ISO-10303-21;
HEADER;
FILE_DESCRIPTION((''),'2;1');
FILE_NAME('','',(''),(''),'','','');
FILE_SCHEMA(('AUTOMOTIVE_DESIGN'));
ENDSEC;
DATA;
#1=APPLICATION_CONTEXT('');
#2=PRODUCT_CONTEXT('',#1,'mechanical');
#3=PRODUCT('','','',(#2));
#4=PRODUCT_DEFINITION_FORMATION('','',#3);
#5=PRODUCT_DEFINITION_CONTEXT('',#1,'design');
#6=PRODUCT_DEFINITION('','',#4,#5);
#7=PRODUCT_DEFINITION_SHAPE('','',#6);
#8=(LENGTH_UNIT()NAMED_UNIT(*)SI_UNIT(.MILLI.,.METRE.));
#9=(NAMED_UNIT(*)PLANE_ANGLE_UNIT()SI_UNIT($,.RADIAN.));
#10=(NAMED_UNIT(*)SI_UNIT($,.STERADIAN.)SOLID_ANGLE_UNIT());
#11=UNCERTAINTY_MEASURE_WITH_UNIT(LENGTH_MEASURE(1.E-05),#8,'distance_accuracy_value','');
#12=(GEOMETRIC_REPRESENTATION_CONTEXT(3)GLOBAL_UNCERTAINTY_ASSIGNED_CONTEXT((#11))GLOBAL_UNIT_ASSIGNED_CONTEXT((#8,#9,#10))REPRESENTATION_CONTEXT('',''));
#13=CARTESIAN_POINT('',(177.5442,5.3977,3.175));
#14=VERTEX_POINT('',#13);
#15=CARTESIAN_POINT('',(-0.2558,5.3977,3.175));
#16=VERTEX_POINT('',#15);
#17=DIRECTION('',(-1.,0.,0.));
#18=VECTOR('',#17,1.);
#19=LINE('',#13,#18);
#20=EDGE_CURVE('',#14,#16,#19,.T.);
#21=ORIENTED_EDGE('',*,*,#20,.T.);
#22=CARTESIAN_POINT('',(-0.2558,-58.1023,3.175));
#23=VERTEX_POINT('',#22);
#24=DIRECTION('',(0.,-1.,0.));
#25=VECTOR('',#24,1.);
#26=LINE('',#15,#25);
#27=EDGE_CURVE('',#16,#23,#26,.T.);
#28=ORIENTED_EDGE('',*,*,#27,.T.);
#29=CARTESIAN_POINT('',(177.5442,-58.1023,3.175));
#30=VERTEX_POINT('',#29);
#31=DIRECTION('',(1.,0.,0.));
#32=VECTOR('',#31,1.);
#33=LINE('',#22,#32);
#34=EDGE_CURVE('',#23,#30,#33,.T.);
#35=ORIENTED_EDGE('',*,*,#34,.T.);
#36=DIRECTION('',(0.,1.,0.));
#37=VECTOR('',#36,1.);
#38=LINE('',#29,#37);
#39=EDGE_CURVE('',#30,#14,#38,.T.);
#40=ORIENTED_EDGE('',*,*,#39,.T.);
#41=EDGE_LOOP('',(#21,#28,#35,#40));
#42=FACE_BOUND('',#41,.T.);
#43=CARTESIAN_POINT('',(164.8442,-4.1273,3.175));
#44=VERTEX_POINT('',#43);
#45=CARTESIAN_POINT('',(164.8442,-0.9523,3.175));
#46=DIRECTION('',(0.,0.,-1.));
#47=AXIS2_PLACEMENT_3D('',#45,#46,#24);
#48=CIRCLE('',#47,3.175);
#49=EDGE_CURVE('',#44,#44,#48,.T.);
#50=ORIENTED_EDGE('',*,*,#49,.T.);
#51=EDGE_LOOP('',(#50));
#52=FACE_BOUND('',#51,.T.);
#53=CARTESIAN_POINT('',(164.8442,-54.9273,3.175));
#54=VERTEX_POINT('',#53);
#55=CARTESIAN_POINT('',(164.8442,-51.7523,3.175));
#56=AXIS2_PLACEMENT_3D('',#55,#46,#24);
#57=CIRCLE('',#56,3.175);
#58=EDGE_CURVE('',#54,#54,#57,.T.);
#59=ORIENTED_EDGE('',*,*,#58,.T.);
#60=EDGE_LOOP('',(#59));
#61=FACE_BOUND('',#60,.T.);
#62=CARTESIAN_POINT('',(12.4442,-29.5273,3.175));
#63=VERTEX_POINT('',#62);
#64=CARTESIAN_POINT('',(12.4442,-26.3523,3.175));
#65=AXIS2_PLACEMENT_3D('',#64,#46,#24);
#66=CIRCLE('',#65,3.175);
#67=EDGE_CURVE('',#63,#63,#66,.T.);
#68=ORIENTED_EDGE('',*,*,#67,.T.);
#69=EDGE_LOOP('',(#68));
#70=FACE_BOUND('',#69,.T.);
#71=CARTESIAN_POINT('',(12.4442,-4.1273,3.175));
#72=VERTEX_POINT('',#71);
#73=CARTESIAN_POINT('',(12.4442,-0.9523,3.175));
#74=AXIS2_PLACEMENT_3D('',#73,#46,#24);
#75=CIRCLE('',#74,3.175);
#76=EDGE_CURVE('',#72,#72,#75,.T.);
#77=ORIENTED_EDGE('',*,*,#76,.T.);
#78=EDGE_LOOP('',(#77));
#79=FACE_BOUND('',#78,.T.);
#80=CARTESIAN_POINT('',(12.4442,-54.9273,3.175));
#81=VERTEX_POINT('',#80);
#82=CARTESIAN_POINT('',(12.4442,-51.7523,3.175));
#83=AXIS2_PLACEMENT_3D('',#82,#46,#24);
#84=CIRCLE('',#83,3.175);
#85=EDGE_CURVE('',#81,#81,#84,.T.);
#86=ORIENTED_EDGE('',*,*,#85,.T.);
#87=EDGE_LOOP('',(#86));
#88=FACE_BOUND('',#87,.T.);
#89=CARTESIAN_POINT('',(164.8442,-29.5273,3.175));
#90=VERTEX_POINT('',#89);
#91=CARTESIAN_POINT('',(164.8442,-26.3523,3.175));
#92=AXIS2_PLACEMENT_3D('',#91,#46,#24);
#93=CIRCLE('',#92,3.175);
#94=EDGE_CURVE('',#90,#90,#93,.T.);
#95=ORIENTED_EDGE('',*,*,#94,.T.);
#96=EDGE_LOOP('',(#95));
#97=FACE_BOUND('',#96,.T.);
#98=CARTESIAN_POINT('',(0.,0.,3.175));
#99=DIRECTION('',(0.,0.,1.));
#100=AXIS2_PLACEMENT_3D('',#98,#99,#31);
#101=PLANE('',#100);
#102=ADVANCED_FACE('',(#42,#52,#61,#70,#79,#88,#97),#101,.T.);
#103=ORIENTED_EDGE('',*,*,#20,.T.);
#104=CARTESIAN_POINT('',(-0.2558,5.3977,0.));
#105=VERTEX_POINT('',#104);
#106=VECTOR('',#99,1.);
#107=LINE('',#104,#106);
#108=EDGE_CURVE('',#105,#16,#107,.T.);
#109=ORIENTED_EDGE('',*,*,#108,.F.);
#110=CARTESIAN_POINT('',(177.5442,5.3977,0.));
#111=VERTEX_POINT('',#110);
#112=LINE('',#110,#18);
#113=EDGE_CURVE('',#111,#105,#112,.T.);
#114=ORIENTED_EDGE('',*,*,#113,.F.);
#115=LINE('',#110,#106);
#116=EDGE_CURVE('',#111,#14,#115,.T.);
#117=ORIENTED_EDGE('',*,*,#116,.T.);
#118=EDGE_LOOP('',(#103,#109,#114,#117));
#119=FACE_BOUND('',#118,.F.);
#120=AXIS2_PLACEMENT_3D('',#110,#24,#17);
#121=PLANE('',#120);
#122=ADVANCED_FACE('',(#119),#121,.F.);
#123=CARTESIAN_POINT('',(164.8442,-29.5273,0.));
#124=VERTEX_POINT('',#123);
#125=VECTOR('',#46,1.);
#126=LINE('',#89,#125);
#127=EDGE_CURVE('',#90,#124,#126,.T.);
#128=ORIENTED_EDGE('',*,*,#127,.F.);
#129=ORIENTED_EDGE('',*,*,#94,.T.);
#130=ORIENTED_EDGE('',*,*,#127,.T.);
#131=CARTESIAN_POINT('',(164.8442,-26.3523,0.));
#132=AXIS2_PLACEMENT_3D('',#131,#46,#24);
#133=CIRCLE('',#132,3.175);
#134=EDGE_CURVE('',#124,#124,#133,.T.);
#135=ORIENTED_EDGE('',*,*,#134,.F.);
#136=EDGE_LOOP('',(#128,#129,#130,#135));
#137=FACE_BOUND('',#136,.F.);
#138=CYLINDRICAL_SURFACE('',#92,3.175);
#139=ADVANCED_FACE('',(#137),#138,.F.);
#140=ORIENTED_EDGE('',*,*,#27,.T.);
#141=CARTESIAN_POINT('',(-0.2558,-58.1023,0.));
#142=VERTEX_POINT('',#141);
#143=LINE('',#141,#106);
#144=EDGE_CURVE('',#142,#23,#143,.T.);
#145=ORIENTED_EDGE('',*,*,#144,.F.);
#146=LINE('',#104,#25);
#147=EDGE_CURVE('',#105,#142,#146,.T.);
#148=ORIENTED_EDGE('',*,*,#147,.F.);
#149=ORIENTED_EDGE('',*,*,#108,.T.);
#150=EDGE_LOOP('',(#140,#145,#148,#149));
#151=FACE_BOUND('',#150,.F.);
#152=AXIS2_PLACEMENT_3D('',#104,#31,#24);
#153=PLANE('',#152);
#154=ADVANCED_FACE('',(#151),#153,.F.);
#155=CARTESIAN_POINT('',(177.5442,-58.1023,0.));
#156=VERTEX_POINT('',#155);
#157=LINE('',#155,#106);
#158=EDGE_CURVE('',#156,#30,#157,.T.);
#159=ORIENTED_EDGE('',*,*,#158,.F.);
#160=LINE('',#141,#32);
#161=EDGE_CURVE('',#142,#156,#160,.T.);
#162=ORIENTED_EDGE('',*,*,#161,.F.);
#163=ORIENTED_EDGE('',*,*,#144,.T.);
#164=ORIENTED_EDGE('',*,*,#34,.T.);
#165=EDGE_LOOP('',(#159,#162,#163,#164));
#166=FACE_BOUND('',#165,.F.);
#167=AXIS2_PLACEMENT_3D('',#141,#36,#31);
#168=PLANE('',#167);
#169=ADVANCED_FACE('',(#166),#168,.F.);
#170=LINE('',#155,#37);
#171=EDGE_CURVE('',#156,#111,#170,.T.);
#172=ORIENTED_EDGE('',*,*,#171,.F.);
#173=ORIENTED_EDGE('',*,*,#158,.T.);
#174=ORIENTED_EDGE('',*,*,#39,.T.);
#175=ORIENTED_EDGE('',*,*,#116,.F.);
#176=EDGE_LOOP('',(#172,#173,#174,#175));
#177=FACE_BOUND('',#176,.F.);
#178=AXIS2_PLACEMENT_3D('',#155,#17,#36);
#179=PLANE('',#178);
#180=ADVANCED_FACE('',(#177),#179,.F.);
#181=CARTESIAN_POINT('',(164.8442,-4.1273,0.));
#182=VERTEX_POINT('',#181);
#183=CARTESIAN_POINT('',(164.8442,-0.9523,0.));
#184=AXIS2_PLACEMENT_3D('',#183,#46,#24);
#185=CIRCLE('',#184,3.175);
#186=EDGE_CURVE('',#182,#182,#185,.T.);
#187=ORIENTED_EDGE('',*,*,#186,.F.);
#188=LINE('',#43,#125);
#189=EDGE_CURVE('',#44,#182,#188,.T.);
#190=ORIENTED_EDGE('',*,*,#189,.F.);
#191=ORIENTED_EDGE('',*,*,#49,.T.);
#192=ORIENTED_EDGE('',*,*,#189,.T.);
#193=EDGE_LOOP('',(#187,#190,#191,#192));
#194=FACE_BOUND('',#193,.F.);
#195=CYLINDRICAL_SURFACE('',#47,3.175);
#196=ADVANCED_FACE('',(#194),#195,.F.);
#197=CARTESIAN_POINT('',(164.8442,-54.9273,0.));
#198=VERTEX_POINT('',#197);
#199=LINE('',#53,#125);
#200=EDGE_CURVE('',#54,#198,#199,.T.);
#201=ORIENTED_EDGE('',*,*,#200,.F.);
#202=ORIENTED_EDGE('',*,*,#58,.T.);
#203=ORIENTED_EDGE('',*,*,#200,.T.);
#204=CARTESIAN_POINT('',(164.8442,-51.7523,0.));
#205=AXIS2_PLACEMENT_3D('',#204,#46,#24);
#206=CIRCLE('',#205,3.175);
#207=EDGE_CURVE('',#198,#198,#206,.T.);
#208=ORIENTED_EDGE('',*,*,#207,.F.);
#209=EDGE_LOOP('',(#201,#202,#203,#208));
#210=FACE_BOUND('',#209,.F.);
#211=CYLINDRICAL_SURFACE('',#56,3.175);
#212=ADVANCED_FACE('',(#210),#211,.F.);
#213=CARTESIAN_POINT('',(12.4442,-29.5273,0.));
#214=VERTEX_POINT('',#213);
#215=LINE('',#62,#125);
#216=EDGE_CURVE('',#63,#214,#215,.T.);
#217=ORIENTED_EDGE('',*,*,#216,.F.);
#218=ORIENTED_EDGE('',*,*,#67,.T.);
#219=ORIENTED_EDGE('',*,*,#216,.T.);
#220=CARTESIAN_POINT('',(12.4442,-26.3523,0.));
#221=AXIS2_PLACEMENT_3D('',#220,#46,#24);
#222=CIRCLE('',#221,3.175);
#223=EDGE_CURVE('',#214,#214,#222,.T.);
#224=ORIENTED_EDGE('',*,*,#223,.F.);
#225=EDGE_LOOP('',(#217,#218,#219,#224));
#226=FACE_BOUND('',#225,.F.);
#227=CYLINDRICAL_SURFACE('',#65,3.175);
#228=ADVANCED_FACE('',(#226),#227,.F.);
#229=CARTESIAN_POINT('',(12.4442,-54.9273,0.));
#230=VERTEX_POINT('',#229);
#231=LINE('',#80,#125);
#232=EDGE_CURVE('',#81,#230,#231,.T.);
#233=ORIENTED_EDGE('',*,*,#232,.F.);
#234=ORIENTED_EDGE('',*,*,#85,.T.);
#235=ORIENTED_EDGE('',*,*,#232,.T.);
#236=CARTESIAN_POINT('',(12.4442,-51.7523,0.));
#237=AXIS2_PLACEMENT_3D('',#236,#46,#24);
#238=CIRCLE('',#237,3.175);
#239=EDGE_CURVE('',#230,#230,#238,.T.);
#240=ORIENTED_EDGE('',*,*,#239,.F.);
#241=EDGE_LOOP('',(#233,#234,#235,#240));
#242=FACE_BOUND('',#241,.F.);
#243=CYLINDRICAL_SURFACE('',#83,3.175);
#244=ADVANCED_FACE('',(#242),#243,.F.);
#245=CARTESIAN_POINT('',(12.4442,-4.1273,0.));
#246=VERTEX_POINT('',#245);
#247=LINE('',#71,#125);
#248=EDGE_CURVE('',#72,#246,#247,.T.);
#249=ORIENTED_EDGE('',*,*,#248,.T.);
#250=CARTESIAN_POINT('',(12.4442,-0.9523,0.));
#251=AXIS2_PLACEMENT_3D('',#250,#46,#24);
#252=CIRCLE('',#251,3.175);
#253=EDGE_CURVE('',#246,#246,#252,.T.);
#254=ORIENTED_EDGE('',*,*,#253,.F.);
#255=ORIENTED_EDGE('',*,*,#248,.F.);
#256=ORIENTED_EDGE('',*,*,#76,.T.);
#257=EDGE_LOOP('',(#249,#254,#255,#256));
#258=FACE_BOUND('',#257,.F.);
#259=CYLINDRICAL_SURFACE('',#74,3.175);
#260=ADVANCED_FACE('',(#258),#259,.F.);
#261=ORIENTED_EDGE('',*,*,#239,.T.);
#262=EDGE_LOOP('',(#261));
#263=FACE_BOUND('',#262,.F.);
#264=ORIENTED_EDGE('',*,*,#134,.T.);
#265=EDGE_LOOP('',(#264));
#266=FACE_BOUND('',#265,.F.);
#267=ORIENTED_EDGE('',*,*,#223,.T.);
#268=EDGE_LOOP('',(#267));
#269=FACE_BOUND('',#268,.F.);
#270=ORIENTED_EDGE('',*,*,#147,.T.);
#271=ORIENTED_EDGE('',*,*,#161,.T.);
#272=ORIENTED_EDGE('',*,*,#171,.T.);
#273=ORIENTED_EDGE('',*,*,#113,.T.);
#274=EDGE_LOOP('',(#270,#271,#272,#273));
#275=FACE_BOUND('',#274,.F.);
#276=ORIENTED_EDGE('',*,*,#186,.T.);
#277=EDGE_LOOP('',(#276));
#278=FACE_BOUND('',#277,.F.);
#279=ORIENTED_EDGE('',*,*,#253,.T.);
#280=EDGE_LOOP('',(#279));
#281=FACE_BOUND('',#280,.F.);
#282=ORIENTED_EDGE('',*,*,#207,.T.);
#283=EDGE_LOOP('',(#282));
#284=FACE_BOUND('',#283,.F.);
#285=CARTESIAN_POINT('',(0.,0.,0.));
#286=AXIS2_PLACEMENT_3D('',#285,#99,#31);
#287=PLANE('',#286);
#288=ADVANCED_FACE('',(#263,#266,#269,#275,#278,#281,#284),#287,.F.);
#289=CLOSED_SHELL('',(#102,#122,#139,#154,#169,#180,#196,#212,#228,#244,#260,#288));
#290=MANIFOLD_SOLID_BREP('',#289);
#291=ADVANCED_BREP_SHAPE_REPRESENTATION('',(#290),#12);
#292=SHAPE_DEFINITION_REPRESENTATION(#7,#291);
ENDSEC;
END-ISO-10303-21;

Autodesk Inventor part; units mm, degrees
ref_plane "YZ Plane" through (0, 0, 0) normal (1, 0, 0) x (0, 1, 0)
ref_plane "XZ Plane" through (0, 0, 0) normal (0, 1, 0) x (-1, 0, 0)
ref_plane "XY Plane" through (0, 0, 0) normal (0, 0, 1) x (1, 0, 0)
sketch "Sketch1" plane through (0, 0, 0) normal (0, 0, 1) x (1, 0, 0)
  line L0 (-0.2558, -58.1023) -> (177.5442, -58.1023)
  line L1 (177.5442, -58.1023) -> (177.5442, 5.3977)
  line L2 (177.5442, 5.3977) -> (-0.2558, 5.3977)
  line L3 (-0.2558, 5.3977) -> (-0.2558, -58.1023)
  point P0 (0, 0)
  dimension "d0" = 177.8
  dimension "d1" = 63.5
extrude "Extrusion1" add sketch "Sketch1" along normal blind 3.175
sketch "Sketch3" plane through (0, 0, 3.175) normal (0, 0, 1) x (1, 0, 0)
  line L0 (-0.2558, 5.3977) -> (-0.2558, -58.1023) projected
  line L1 (177.5442, 5.3977) -> (-0.2558, 5.3977) projected
  line L2 (-0.2558, -58.1023) -> (177.5442, -58.1023) projected
  line L3 (177.5442, -58.1023) -> (177.5442, 5.3977) projected
  point P0 (0, 0)
  point P1 (12.4442, -0.9523)
  point P2 (12.4442, -26.3523)
  point P3 (12.4442, -51.7523)
  point P4 (164.8442, -0.9523)
  point P5 (164.8442, -26.3523)
  point P6 (164.8442, -51.7523)
  dimension "d22" = 25.4
  dimension "d23" = 25.4
  dimension "d26" = 12.7
  dimension "d27" = 12.7
  dimension "d28" = 12.7
  dimension "d29" = 6.35
  dimension "d30" = 6.35
  dimension "d33" = 6.35
  dimension "d34" = 25.4
  dimension "d35" = 25.4
  dimension "d36" = 12.7
hole "Hole2" at (12.4442, -0.9523, 3.175) at (12.4442, -26.3523, 3.175) at (12.4442, -51.7523, 3.175) at (164.8442, -0.9523, 3.175) at (164.8442, -26.3523, 3.175) at (164.8442, -51.7523, 3.175) direction (0, 0, -1) diameter 6.35 end through all
properties part number "base and top plate real"
